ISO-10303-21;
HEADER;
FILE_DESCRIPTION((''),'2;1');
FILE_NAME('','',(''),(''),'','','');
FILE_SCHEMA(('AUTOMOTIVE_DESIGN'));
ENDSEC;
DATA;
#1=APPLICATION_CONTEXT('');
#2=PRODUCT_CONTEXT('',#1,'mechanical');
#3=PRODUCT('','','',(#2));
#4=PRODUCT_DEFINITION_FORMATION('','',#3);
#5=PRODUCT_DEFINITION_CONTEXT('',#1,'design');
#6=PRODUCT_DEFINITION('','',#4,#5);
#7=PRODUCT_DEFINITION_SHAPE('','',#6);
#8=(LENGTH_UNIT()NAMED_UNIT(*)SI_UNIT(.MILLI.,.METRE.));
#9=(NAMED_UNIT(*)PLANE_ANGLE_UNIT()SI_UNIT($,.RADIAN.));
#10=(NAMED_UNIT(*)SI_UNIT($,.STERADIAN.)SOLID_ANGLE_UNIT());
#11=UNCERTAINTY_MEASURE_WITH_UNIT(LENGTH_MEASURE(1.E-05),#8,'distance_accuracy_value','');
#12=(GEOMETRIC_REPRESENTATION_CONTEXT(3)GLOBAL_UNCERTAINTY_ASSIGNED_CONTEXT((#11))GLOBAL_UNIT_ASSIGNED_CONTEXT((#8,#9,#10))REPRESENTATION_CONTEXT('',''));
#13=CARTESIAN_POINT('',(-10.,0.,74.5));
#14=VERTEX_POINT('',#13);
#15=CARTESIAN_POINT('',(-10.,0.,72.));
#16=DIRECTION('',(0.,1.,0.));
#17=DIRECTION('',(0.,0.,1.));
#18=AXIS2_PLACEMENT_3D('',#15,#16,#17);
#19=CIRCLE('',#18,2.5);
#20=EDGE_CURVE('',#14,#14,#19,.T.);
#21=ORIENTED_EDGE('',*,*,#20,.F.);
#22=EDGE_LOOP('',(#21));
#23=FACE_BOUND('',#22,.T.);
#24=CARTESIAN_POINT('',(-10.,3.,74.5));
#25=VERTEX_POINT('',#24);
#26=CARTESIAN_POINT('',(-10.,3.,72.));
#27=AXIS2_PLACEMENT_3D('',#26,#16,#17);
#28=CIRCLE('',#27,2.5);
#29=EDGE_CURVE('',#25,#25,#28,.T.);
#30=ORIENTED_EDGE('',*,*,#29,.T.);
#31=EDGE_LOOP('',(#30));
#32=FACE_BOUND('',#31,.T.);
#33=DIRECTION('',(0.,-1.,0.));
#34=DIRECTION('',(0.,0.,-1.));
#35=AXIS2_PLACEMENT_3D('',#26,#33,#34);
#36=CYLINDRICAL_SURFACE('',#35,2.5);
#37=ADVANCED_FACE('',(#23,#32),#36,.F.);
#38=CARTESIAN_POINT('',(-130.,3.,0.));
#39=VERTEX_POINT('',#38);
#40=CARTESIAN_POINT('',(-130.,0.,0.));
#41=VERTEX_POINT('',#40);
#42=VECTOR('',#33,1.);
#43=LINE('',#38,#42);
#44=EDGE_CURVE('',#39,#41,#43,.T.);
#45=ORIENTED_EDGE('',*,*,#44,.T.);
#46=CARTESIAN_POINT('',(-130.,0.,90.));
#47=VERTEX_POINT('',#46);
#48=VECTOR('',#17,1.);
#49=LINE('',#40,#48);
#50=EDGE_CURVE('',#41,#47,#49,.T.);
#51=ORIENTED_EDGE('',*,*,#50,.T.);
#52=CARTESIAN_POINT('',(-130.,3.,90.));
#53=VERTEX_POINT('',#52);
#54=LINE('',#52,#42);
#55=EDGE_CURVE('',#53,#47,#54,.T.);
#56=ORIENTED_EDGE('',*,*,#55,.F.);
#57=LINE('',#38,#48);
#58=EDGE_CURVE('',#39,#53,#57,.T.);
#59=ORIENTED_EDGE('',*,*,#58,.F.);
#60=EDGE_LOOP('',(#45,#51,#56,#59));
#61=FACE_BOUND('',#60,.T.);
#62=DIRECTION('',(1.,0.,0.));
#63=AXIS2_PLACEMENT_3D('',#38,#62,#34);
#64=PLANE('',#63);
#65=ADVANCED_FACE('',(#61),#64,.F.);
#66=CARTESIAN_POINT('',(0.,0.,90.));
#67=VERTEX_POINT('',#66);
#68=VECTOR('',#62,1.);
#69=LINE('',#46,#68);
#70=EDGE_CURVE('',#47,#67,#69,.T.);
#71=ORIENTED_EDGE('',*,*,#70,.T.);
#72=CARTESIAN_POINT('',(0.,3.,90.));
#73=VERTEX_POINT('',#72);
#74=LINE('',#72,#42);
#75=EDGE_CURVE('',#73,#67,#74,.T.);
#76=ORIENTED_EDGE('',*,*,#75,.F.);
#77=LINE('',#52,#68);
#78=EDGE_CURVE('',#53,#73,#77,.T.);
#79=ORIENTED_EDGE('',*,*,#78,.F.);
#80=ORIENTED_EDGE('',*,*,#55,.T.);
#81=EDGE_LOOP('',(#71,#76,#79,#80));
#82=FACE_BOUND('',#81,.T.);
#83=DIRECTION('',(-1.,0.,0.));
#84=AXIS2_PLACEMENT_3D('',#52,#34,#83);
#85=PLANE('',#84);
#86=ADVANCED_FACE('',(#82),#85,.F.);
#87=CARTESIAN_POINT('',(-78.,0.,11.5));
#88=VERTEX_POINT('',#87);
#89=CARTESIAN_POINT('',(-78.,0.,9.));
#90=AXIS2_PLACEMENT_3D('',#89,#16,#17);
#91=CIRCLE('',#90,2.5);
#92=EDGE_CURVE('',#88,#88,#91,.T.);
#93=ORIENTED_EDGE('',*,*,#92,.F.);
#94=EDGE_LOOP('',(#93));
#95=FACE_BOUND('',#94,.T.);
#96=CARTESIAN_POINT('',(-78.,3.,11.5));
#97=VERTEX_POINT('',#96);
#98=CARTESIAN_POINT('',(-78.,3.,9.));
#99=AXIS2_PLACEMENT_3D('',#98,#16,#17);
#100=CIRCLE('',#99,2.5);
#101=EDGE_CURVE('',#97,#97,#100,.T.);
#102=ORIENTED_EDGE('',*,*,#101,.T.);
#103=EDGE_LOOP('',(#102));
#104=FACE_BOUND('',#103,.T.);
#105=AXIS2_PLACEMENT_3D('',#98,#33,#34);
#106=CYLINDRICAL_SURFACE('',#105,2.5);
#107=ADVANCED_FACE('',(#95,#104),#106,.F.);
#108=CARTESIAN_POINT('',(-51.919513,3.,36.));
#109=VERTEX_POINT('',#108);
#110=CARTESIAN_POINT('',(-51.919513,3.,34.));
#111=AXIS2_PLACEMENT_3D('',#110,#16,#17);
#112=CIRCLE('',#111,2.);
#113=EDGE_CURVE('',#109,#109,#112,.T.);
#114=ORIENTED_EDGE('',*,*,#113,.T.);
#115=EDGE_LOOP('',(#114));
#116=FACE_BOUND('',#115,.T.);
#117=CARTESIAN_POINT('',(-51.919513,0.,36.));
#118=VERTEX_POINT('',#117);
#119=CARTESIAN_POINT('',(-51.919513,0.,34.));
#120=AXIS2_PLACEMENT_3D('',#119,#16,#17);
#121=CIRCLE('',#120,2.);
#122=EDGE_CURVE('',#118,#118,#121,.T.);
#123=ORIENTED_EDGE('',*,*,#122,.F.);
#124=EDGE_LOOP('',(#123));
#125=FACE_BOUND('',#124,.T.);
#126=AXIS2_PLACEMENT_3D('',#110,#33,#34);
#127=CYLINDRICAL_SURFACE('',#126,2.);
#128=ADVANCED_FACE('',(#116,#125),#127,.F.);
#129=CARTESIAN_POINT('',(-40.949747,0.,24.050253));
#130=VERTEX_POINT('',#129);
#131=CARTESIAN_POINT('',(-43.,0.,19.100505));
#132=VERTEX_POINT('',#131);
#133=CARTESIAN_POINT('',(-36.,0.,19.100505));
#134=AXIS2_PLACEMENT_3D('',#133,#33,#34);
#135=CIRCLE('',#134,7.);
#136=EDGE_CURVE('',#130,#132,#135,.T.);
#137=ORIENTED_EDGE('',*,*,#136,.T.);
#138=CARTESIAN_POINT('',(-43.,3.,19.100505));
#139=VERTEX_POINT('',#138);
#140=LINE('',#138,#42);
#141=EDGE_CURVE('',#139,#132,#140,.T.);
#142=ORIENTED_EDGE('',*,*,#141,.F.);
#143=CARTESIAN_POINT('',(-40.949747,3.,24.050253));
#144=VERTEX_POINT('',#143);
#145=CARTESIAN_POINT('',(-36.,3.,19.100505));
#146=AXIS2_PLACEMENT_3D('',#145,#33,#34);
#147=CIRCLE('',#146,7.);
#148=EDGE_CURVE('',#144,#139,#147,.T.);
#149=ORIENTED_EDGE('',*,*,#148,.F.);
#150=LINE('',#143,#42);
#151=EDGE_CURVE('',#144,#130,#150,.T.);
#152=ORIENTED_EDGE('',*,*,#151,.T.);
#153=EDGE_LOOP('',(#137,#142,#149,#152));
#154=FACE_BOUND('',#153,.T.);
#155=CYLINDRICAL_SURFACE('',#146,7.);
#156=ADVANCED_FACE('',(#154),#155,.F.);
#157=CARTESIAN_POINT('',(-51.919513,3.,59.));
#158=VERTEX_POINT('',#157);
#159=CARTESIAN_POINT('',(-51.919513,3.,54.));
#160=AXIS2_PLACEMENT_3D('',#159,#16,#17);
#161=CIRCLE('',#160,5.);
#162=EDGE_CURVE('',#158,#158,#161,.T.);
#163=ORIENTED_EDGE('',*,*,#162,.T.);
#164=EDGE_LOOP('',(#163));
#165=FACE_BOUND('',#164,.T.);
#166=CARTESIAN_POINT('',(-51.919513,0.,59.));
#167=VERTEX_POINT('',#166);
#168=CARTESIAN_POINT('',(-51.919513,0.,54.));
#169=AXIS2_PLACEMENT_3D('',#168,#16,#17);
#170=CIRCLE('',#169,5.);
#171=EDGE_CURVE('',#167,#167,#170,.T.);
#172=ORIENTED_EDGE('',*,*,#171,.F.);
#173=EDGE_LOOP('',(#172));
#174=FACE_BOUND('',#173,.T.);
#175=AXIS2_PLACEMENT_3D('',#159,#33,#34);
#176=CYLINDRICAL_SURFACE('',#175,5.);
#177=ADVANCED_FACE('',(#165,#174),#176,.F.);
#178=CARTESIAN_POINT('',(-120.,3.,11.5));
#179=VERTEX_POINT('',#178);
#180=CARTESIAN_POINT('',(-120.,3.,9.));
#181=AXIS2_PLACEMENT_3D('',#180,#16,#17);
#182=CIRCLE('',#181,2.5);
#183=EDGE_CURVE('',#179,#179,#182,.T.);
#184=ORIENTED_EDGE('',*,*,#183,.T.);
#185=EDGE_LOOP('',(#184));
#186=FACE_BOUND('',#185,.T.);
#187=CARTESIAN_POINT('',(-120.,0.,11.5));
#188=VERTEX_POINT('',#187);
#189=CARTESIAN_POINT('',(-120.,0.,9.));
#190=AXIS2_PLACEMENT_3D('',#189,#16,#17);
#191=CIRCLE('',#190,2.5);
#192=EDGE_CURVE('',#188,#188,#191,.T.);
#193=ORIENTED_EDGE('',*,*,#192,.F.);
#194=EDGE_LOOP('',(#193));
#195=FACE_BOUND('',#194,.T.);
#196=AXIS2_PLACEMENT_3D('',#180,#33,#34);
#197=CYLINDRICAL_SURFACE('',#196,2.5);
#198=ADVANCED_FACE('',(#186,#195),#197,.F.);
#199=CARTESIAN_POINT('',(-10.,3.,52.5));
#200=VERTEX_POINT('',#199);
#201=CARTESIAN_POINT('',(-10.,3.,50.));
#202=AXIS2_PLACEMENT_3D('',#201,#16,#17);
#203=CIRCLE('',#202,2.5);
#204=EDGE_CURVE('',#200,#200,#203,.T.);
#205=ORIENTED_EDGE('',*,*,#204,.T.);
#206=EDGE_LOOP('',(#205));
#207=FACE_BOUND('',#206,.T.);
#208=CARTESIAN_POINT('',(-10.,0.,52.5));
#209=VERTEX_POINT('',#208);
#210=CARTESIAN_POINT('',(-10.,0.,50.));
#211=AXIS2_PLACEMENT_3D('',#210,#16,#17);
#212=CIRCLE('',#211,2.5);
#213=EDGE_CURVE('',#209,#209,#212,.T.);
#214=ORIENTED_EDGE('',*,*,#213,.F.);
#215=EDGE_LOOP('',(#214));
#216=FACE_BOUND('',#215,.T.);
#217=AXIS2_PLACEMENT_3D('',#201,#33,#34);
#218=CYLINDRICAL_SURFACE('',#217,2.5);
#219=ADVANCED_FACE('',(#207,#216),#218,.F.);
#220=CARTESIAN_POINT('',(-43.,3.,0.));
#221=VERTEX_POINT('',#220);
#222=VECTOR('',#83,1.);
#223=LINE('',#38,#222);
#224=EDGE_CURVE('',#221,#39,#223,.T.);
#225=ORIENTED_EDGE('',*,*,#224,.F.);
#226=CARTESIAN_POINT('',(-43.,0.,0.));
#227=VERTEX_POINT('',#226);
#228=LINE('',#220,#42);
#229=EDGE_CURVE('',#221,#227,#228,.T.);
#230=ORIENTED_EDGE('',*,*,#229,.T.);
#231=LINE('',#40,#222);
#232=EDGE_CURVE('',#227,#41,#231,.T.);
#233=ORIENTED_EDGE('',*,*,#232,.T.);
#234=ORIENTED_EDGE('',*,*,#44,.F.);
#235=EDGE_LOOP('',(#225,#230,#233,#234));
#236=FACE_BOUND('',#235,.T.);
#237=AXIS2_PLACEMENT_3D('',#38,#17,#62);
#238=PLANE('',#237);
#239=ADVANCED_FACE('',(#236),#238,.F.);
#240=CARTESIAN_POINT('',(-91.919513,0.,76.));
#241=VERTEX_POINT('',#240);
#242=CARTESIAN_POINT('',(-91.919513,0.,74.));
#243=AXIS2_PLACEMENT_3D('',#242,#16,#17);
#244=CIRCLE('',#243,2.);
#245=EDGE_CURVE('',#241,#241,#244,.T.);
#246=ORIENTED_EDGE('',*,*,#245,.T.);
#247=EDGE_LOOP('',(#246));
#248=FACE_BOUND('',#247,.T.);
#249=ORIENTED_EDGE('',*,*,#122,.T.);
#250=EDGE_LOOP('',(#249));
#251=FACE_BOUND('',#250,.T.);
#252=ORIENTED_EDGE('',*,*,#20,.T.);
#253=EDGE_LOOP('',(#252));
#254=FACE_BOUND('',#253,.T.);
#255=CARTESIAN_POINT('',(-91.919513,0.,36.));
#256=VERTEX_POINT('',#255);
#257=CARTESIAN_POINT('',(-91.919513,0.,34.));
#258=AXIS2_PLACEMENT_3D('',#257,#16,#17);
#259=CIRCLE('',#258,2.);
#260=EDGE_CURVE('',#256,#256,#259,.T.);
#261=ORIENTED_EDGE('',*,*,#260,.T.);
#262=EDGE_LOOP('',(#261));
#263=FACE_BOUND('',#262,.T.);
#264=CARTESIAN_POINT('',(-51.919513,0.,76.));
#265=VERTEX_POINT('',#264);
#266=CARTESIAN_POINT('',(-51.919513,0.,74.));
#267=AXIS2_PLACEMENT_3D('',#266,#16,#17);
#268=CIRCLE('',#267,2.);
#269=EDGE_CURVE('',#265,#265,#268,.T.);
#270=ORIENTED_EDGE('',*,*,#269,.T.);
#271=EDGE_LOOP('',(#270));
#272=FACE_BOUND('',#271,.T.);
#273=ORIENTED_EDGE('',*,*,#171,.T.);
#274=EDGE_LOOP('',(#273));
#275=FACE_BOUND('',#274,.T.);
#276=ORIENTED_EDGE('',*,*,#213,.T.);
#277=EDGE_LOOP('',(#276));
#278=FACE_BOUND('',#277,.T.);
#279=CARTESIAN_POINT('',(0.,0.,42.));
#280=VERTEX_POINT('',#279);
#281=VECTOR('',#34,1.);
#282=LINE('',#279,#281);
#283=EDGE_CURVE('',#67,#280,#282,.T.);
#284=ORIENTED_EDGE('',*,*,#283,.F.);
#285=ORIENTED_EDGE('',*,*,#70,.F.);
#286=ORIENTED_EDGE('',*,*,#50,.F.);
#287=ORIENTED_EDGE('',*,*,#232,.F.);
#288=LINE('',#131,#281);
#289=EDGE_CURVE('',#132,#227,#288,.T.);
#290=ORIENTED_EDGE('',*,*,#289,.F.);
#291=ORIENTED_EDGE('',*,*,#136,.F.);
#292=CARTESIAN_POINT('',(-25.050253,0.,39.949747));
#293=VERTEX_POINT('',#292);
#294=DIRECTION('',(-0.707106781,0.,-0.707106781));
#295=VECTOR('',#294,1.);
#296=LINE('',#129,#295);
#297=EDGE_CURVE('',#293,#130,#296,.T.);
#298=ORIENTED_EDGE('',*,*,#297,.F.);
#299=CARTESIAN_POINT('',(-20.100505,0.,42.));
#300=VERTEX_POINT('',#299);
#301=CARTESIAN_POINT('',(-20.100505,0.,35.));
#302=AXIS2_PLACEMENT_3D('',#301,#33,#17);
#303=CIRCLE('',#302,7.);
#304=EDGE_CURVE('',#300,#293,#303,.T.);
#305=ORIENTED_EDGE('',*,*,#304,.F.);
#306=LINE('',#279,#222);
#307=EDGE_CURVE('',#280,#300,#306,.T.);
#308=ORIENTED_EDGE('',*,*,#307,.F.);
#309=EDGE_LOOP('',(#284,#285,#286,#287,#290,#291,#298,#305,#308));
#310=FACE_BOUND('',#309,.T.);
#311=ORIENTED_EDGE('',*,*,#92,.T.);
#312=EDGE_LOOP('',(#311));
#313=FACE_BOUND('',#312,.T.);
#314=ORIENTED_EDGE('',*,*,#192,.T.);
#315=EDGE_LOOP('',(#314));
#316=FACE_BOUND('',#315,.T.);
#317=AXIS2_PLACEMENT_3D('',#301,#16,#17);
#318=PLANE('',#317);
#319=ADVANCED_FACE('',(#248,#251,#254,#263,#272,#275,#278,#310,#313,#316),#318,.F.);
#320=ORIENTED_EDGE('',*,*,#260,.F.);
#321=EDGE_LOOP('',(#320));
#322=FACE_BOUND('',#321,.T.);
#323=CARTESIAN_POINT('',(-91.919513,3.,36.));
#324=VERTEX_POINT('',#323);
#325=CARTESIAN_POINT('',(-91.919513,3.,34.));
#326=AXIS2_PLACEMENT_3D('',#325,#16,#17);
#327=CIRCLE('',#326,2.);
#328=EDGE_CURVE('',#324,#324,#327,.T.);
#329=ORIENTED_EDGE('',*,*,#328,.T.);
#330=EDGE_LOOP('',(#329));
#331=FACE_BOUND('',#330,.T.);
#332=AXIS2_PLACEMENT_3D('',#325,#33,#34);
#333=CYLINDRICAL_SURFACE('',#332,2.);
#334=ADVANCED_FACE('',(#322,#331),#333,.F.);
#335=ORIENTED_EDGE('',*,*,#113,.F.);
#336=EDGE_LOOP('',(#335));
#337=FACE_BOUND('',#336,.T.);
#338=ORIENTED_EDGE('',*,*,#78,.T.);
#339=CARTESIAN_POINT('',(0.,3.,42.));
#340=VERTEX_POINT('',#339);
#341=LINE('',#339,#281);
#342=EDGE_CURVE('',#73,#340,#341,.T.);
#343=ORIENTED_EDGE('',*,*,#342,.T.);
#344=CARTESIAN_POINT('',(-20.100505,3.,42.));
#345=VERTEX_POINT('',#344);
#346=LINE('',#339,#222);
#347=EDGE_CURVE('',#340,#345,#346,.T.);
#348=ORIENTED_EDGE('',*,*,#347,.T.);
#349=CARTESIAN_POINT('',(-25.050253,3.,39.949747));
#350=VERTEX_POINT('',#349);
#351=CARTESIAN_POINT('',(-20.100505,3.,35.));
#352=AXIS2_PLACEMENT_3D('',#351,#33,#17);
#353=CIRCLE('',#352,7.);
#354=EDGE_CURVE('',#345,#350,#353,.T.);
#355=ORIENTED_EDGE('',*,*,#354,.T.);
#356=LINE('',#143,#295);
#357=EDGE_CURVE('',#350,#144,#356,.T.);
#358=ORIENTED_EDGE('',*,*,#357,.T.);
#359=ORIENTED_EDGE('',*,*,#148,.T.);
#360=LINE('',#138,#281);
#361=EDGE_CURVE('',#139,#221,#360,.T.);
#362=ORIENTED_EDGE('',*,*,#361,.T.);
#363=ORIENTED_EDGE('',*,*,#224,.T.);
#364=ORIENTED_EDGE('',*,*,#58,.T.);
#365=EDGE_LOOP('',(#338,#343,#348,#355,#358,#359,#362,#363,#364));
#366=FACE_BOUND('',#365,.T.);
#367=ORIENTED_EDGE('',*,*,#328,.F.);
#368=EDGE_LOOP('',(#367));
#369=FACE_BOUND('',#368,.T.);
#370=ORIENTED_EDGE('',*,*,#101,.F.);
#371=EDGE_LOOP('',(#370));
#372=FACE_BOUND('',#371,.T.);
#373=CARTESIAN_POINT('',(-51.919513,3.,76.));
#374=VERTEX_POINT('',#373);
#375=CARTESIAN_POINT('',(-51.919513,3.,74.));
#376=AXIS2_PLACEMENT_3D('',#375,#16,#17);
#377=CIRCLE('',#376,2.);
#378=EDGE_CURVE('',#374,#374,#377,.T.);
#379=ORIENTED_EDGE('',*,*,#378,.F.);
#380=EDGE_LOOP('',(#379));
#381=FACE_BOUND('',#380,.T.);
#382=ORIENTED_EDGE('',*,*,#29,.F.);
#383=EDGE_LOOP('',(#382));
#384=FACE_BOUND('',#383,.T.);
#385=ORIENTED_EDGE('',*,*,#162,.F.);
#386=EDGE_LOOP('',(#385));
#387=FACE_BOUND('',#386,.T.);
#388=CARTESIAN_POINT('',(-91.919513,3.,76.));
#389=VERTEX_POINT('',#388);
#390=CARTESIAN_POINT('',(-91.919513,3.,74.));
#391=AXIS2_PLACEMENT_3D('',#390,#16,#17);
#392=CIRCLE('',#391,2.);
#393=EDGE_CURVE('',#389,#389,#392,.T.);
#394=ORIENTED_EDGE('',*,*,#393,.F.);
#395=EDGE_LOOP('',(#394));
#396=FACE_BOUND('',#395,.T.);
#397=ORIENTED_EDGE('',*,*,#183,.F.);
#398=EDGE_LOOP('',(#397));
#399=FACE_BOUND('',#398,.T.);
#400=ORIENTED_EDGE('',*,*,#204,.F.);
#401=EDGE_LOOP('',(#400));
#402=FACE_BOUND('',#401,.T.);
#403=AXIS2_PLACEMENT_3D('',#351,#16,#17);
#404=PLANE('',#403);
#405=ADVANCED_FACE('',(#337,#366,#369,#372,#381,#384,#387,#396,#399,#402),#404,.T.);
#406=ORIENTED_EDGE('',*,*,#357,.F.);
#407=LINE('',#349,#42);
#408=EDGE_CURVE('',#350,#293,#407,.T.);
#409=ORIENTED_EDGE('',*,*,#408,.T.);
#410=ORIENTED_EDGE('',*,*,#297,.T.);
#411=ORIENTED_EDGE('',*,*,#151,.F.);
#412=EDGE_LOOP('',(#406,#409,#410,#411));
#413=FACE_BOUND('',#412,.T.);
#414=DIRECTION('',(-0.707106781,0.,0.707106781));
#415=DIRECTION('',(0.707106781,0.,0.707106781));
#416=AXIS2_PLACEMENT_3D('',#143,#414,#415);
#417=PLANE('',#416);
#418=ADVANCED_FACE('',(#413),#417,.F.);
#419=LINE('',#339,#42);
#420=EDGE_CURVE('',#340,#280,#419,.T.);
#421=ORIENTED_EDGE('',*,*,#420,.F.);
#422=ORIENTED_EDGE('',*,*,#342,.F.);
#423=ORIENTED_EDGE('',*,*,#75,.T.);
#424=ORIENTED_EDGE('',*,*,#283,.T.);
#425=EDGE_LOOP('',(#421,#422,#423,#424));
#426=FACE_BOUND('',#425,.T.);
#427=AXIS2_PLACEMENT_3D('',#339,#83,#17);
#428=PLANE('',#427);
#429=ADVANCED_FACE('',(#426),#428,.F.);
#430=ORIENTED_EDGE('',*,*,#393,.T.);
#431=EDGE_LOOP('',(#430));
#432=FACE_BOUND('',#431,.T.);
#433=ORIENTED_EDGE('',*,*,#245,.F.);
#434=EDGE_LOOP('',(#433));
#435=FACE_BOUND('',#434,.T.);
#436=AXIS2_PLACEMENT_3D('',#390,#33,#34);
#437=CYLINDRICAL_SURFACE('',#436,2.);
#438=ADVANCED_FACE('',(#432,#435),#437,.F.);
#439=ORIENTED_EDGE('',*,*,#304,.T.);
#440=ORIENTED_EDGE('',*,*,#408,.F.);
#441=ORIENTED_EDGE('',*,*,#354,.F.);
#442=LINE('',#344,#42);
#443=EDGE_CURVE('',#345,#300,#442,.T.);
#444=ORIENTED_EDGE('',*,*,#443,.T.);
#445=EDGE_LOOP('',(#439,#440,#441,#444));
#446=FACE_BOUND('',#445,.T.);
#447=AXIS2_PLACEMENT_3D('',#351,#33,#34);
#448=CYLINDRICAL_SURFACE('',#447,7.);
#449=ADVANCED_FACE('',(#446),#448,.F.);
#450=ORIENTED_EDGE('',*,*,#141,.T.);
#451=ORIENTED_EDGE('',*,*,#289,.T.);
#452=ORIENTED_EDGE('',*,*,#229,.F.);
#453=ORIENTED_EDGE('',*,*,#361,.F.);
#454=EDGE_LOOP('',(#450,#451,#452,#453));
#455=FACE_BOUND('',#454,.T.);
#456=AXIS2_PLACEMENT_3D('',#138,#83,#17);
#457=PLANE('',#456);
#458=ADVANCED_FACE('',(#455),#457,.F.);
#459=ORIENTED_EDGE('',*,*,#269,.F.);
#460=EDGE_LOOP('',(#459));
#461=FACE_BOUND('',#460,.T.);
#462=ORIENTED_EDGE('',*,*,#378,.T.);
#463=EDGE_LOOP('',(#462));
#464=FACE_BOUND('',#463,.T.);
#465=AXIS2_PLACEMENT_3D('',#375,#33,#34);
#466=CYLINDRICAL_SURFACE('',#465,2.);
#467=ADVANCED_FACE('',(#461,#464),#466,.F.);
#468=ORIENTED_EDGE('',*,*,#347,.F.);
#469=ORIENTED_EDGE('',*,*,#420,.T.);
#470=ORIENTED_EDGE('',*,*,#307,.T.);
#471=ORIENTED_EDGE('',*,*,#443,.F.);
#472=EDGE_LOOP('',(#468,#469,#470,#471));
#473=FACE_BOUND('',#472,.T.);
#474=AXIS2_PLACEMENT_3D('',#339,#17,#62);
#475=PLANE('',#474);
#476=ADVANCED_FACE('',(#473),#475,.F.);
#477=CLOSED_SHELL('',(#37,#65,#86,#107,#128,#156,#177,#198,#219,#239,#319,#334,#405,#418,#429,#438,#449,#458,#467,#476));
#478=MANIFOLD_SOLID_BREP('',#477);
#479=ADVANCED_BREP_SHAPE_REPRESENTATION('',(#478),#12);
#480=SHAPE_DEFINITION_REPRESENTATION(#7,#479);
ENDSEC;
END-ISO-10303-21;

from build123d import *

# Parameters (mm, degrees)
SKETCH1_R           = 2.5
BOSS_EXTRUDE1_DEPTH = 3
SKETCH2_R           = 2
SKETCH2_R_2         = 5
CUT_EXTRUDE2_DEPTH  = 3


with BuildPart() as part:
    # Sketch1 → Boss-Extrude1 (new body)
    with BuildSketch(Plane(origin=(0, 0, 0), x_dir=(1, 0, 0), z_dir=(0, 1, 0))):
        with BuildLine():
            Line((0, -42), (-20.100505063, -42))
            ThreePointArc((-20.100505063, -42), (-22.77928909, -41.467156728), (-25.050252532, -39.949747468))
            Line((-25.050252532, -39.949747468), (-40.949747468, -24.050252532))
            ThreePointArc((-40.949747468, -24.050252532), (-42.467156728, -21.77928909), (-43, -19.100505063))
            Line((-43, -19.100505063), (-43, 0))
            Line((-43, 0), (-130, 0))
            Line((-130, 0), (-130, -90))
            Line((-130, -90), (0, -90))
            Line((0, -90), (0, -42))
        make_face()
        with Locations(Location((-78, -9, 0), (0, 0, 270))):
            Circle(SKETCH1_R, mode=Mode.SUBTRACT)
        with Locations(Location((-120, -9, 0), (0, 0, 270))):
            Circle(SKETCH1_R, mode=Mode.SUBTRACT)
        with Locations(Location((-10, -50, 0), (0, 0, 270))):
            Circle(SKETCH1_R, mode=Mode.SUBTRACT)
        with Locations(Location((-10, -72, 0), (0, 0, 270))):
            Circle(SKETCH1_R, mode=Mode.SUBTRACT)
    extrude(amount=BOSS_EXTRUDE1_DEPTH)

    # Sketch2 → Cut-Extrude2 (cut)
    with BuildSketch(Plane(origin=(0, 0, 0), x_dir=(1, 0, 0), z_dir=(0, 1, 0))):
        with Locations(Location((-51.919512874, -74, 0), (0, 0, 270))):
            Circle(SKETCH2_R)
        with Locations(Location((-51.919512874, -54, 0), (0, 0, 270))):
            Circle(SKETCH2_R_2)
        with Locations(Location((-51.919512874, -34, 0), (0, 0, 270))):
            Circle(SKETCH2_R)
        with Locations(Location((-91.919512874, -34, 0), (0, 0, 270))):
            Circle(SKETCH2_R)
        with Locations(Location((-91.919512874, -74, 0), (0, 0, 270))):
            Circle(SKETCH2_R)
    extrude(amount=CUT_EXTRUDE2_DEPTH, mode=Mode.SUBTRACT)


solid = part.part
